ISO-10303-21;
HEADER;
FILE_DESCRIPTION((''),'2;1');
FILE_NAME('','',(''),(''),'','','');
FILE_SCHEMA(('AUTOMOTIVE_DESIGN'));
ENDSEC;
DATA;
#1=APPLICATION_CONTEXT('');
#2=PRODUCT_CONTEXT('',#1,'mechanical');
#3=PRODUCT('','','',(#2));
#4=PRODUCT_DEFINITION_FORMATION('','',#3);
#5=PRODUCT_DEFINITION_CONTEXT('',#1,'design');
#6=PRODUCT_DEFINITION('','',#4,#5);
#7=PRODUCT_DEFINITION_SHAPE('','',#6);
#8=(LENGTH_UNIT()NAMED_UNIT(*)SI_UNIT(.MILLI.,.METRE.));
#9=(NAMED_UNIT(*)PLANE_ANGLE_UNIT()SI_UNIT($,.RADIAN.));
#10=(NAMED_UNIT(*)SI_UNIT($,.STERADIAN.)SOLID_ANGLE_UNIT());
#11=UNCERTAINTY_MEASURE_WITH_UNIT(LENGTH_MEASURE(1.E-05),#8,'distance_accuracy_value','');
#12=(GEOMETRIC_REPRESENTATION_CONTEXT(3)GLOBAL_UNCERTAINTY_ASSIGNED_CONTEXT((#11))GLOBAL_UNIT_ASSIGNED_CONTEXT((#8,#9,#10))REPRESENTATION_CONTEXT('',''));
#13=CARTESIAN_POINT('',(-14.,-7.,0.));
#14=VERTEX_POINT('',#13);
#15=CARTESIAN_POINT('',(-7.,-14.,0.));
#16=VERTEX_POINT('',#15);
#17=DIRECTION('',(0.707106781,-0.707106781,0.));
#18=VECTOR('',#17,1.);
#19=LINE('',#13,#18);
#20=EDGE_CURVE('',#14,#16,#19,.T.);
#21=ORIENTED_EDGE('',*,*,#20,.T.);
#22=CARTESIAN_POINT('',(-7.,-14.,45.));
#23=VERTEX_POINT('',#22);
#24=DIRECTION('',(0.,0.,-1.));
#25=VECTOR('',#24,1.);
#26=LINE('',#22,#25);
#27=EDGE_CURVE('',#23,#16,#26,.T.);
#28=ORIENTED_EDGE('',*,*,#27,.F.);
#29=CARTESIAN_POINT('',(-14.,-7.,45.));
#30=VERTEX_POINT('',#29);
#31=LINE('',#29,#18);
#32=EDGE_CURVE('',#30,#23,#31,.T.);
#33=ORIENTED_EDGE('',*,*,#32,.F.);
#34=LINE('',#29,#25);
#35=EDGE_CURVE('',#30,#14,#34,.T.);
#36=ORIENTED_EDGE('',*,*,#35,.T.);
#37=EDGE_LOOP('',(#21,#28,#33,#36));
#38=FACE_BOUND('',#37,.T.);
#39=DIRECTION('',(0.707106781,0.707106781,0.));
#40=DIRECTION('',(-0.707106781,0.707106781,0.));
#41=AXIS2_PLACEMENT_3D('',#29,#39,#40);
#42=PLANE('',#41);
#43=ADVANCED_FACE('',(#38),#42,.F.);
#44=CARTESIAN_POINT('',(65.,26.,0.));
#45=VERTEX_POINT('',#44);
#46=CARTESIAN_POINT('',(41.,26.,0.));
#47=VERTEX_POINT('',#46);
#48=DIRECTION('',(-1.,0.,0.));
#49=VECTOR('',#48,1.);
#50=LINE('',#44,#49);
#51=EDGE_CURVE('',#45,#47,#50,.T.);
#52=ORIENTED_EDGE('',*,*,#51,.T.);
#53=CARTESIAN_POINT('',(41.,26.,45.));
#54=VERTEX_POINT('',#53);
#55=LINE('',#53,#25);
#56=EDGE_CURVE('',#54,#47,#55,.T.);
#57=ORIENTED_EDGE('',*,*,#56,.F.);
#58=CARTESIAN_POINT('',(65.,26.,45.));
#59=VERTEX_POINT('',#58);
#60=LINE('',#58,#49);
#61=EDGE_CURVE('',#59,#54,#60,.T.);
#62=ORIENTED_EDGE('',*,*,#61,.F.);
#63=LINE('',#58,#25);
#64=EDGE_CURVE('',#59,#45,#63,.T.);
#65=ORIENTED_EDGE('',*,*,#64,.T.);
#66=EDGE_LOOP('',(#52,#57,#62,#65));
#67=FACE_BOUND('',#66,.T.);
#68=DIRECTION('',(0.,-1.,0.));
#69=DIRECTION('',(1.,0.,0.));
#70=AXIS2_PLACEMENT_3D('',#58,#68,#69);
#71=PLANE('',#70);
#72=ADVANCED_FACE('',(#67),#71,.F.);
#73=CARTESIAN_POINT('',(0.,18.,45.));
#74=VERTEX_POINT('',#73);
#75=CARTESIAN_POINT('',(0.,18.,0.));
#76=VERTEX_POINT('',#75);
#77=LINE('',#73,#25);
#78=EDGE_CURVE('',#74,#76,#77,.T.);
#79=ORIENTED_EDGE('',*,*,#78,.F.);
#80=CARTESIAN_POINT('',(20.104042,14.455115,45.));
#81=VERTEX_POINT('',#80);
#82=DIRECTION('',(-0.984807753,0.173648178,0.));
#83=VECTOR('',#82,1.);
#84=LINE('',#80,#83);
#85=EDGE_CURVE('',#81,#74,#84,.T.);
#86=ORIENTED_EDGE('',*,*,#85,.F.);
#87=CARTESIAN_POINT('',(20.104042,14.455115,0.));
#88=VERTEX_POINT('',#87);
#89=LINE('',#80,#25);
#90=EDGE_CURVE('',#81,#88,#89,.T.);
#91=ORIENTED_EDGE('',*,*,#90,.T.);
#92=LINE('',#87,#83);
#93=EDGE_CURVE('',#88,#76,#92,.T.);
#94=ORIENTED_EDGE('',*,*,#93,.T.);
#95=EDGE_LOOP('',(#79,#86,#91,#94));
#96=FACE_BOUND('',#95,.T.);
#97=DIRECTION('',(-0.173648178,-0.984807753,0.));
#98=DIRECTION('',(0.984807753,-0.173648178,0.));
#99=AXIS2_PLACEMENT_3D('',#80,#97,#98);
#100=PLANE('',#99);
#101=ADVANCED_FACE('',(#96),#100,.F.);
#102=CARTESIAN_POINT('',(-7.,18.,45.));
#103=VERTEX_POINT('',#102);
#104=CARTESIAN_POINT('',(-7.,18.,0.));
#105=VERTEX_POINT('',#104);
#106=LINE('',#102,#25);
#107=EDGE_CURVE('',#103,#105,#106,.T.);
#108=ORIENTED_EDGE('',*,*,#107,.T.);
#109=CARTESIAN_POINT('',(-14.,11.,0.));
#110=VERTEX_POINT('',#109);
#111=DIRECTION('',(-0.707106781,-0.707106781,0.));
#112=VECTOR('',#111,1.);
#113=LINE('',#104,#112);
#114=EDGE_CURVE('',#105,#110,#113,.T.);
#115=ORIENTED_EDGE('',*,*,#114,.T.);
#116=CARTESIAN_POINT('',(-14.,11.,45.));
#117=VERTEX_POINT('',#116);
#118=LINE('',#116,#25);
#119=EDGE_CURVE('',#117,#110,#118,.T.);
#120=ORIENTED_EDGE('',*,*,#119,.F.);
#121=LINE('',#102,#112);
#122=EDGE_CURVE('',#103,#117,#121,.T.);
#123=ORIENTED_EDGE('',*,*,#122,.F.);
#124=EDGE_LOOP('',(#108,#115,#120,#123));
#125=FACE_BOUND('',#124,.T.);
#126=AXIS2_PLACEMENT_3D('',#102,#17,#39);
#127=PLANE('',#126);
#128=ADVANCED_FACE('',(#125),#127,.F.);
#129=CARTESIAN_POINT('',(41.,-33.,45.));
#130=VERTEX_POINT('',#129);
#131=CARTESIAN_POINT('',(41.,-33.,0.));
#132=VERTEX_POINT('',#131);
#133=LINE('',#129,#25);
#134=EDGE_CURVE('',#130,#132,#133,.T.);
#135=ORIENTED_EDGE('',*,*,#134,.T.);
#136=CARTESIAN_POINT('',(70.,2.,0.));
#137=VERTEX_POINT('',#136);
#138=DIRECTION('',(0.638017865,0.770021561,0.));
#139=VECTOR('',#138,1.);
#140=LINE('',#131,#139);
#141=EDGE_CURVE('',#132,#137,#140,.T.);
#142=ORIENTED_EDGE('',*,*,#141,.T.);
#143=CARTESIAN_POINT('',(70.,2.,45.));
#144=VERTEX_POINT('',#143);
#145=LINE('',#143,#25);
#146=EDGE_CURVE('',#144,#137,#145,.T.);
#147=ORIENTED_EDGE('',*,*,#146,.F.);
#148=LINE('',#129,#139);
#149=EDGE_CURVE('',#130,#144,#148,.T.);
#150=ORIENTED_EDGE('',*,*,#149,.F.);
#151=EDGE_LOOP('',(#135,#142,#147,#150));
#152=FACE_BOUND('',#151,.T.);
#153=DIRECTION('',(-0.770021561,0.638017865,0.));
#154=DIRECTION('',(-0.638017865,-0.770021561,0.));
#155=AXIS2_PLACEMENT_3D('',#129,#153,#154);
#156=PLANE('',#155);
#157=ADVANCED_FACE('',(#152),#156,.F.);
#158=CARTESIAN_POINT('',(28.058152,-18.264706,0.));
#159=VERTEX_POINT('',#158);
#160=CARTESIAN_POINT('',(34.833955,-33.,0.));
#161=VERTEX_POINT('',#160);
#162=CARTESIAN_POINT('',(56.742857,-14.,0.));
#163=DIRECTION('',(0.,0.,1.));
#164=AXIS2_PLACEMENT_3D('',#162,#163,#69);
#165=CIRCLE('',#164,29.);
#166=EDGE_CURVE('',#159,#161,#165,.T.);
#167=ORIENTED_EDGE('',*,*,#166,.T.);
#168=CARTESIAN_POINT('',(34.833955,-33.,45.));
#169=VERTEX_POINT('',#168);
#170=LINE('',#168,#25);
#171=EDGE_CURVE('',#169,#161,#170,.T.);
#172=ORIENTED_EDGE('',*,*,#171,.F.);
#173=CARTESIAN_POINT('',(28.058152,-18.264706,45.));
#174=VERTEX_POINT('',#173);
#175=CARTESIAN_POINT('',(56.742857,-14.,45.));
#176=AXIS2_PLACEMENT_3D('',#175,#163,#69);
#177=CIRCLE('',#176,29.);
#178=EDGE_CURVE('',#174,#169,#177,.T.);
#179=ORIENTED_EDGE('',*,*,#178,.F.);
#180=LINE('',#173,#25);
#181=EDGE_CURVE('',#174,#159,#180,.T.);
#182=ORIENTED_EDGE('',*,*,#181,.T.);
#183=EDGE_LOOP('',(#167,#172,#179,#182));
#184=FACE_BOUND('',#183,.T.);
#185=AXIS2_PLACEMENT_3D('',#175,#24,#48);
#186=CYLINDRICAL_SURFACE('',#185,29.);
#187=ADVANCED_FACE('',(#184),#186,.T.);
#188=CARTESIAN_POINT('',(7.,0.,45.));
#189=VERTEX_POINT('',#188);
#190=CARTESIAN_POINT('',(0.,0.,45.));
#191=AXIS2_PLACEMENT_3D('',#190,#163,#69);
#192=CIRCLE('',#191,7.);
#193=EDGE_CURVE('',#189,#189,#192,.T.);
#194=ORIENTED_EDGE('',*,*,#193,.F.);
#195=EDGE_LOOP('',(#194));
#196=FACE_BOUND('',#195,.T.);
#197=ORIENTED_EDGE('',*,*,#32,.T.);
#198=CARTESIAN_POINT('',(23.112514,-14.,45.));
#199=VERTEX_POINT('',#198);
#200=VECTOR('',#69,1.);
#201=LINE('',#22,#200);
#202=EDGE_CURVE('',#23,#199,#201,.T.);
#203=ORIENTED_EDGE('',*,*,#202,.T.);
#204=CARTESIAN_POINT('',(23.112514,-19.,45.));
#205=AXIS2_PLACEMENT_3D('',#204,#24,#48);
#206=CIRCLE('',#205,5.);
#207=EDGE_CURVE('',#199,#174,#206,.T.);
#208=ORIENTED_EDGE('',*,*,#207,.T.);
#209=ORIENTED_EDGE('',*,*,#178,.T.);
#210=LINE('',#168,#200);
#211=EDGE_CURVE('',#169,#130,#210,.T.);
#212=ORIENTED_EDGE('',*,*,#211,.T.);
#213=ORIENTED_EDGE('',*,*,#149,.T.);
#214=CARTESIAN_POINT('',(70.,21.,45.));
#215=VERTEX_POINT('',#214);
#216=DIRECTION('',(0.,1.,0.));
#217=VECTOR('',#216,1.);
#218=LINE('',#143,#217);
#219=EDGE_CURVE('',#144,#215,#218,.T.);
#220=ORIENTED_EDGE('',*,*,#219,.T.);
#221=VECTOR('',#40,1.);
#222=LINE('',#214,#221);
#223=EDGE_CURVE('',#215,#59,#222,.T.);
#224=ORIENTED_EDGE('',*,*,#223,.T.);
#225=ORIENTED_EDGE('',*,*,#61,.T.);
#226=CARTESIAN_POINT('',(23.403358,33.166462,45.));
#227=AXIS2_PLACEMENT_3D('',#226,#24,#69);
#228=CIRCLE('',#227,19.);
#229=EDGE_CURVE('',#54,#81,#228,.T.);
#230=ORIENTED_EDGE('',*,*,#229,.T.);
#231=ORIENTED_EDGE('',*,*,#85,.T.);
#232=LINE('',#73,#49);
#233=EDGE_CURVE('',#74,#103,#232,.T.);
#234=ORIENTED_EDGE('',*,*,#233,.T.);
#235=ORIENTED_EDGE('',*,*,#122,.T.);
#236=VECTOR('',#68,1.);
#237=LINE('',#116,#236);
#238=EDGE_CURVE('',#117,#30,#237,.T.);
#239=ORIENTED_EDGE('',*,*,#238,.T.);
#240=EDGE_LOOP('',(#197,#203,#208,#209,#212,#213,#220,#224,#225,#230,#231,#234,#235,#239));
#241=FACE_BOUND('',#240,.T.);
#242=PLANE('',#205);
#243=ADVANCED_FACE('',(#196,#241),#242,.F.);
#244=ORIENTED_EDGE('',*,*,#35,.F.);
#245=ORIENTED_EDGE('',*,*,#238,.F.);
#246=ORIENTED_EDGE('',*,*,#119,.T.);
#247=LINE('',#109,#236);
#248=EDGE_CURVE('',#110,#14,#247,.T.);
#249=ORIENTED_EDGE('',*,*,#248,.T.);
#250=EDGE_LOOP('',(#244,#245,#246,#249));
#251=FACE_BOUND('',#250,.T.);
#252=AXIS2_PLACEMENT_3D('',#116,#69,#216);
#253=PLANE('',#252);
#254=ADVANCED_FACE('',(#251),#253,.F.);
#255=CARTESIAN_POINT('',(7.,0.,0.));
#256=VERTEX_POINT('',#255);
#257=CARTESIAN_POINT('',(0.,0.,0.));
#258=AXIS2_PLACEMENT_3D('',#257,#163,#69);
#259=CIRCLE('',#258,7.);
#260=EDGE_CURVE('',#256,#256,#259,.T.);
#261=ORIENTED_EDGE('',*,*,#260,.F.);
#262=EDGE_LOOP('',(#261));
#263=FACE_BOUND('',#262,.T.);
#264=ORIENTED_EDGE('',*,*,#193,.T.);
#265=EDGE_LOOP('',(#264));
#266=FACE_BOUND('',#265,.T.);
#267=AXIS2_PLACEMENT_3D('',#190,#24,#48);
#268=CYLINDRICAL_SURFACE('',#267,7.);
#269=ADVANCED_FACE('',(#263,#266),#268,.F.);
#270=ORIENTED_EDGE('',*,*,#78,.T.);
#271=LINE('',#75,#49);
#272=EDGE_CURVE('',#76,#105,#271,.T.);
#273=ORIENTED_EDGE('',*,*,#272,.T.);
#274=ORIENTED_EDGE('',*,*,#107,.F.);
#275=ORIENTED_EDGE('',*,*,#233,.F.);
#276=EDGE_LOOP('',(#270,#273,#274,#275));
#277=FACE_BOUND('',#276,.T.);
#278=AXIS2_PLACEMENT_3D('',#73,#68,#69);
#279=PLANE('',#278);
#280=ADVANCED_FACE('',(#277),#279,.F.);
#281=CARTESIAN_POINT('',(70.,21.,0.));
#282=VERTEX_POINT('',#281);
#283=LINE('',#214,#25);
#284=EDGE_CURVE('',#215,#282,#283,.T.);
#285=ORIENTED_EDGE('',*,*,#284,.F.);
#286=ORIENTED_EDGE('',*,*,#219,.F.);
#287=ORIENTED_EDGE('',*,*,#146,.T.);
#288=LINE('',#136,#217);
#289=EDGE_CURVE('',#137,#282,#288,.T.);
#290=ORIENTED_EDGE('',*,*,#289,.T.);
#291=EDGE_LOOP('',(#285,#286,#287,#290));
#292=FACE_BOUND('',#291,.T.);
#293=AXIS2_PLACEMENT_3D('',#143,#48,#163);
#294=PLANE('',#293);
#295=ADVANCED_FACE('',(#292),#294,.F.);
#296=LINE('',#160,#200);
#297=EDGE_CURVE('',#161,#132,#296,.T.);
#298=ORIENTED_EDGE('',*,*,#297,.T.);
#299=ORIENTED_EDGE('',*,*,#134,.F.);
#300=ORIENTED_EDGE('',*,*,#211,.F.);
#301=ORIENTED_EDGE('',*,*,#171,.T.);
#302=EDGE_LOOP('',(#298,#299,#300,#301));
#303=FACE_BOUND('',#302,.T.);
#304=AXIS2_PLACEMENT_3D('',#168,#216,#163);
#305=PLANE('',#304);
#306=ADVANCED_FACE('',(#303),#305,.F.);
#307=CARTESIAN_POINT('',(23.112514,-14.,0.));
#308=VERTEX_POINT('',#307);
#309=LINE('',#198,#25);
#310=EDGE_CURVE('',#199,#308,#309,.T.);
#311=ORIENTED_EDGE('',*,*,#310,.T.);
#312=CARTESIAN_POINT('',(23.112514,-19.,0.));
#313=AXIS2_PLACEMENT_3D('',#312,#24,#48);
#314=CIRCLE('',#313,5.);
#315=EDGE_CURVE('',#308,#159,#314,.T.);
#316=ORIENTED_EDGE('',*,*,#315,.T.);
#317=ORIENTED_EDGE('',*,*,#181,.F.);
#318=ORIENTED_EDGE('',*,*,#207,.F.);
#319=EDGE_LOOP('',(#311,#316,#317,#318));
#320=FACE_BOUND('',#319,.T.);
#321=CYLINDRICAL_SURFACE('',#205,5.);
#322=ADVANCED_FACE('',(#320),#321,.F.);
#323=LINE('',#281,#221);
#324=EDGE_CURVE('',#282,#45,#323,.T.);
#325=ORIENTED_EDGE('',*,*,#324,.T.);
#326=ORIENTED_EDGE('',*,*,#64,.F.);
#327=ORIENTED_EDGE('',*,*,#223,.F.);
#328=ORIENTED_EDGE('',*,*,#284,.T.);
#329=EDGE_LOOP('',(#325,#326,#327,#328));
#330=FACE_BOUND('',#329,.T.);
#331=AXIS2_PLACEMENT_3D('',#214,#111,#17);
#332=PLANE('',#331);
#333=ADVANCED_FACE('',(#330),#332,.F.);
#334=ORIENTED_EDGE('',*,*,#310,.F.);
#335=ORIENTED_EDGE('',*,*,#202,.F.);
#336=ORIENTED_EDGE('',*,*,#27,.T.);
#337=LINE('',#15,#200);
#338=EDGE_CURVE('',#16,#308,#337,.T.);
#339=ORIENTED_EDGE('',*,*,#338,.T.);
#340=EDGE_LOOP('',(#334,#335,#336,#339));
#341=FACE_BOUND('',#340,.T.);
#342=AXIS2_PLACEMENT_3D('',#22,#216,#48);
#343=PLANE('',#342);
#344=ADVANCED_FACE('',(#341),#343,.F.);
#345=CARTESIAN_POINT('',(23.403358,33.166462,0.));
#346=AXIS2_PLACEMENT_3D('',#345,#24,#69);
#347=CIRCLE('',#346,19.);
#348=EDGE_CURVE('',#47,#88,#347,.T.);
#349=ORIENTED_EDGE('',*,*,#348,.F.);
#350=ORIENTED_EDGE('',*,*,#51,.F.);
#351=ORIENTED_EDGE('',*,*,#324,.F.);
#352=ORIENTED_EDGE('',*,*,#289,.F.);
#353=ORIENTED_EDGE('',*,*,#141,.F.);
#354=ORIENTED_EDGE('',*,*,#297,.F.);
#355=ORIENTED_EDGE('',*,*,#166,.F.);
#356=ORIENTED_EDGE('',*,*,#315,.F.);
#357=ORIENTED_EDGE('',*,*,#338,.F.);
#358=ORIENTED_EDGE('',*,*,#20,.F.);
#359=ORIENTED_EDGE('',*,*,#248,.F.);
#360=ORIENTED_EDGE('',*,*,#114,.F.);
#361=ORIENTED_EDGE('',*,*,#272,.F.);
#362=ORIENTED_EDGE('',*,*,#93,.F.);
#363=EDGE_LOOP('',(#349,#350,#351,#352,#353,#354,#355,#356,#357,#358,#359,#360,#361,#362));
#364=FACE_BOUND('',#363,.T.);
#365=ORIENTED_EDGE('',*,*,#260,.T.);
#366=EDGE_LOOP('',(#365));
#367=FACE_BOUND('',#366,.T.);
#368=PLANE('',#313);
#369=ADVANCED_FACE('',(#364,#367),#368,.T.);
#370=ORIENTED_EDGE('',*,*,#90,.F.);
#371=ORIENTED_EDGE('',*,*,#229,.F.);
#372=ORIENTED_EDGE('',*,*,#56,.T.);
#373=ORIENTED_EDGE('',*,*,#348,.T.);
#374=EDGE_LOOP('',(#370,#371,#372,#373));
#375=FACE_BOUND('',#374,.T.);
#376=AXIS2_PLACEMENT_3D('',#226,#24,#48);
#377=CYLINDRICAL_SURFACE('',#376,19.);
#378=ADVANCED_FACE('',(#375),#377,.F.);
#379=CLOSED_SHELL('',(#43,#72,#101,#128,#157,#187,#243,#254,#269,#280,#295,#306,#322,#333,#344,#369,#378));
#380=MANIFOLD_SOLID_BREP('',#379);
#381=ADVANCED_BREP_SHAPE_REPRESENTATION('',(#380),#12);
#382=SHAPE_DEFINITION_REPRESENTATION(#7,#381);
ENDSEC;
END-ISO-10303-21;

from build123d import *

# Parameters (mm, degrees)
SKETCH1_R           = 7
BOSS_EXTRUDE1_DEPTH = 45


with BuildPart() as part:
    # Sketch1 → Boss-Extrude1 (new body)
    with BuildSketch(Plane.XY):
        with BuildLine():
            Line((-7, -14), (23.112513701, -14))
            ThreePointArc((23.112513701, -14), (26.377749482, -15.213413768), (28.058152443, -18.264705882))
            ThreePointArc((28.058152443, -18.264705882), (30.394982646, -26.115672061), (34.833954843, -33))
            Line((34.833954843, -33), (41, -33))
            Line((41, -33), (70, 2))
            Line((70, 2), (70, 21))
            Line((70, 21), (65, 26))
            Line((65, 26), (41, 26))
            ThreePointArc((41, 26), (32.591637328, 16.535902458), (20.104042352, 14.455114912))
            Line((20.104042352, 14.455114912), (0, 18))
            Line((0, 18), (-7, 18))
            Line((-7, 18), (-14, 11))
            Line((-14, 11), (-14, -7))
            Line((-14, -7), (-7, -14))
        make_face()
        Circle(SKETCH1_R, mode=Mode.SUBTRACT)
    extrude(amount=BOSS_EXTRUDE1_DEPTH)


solid = part.part
